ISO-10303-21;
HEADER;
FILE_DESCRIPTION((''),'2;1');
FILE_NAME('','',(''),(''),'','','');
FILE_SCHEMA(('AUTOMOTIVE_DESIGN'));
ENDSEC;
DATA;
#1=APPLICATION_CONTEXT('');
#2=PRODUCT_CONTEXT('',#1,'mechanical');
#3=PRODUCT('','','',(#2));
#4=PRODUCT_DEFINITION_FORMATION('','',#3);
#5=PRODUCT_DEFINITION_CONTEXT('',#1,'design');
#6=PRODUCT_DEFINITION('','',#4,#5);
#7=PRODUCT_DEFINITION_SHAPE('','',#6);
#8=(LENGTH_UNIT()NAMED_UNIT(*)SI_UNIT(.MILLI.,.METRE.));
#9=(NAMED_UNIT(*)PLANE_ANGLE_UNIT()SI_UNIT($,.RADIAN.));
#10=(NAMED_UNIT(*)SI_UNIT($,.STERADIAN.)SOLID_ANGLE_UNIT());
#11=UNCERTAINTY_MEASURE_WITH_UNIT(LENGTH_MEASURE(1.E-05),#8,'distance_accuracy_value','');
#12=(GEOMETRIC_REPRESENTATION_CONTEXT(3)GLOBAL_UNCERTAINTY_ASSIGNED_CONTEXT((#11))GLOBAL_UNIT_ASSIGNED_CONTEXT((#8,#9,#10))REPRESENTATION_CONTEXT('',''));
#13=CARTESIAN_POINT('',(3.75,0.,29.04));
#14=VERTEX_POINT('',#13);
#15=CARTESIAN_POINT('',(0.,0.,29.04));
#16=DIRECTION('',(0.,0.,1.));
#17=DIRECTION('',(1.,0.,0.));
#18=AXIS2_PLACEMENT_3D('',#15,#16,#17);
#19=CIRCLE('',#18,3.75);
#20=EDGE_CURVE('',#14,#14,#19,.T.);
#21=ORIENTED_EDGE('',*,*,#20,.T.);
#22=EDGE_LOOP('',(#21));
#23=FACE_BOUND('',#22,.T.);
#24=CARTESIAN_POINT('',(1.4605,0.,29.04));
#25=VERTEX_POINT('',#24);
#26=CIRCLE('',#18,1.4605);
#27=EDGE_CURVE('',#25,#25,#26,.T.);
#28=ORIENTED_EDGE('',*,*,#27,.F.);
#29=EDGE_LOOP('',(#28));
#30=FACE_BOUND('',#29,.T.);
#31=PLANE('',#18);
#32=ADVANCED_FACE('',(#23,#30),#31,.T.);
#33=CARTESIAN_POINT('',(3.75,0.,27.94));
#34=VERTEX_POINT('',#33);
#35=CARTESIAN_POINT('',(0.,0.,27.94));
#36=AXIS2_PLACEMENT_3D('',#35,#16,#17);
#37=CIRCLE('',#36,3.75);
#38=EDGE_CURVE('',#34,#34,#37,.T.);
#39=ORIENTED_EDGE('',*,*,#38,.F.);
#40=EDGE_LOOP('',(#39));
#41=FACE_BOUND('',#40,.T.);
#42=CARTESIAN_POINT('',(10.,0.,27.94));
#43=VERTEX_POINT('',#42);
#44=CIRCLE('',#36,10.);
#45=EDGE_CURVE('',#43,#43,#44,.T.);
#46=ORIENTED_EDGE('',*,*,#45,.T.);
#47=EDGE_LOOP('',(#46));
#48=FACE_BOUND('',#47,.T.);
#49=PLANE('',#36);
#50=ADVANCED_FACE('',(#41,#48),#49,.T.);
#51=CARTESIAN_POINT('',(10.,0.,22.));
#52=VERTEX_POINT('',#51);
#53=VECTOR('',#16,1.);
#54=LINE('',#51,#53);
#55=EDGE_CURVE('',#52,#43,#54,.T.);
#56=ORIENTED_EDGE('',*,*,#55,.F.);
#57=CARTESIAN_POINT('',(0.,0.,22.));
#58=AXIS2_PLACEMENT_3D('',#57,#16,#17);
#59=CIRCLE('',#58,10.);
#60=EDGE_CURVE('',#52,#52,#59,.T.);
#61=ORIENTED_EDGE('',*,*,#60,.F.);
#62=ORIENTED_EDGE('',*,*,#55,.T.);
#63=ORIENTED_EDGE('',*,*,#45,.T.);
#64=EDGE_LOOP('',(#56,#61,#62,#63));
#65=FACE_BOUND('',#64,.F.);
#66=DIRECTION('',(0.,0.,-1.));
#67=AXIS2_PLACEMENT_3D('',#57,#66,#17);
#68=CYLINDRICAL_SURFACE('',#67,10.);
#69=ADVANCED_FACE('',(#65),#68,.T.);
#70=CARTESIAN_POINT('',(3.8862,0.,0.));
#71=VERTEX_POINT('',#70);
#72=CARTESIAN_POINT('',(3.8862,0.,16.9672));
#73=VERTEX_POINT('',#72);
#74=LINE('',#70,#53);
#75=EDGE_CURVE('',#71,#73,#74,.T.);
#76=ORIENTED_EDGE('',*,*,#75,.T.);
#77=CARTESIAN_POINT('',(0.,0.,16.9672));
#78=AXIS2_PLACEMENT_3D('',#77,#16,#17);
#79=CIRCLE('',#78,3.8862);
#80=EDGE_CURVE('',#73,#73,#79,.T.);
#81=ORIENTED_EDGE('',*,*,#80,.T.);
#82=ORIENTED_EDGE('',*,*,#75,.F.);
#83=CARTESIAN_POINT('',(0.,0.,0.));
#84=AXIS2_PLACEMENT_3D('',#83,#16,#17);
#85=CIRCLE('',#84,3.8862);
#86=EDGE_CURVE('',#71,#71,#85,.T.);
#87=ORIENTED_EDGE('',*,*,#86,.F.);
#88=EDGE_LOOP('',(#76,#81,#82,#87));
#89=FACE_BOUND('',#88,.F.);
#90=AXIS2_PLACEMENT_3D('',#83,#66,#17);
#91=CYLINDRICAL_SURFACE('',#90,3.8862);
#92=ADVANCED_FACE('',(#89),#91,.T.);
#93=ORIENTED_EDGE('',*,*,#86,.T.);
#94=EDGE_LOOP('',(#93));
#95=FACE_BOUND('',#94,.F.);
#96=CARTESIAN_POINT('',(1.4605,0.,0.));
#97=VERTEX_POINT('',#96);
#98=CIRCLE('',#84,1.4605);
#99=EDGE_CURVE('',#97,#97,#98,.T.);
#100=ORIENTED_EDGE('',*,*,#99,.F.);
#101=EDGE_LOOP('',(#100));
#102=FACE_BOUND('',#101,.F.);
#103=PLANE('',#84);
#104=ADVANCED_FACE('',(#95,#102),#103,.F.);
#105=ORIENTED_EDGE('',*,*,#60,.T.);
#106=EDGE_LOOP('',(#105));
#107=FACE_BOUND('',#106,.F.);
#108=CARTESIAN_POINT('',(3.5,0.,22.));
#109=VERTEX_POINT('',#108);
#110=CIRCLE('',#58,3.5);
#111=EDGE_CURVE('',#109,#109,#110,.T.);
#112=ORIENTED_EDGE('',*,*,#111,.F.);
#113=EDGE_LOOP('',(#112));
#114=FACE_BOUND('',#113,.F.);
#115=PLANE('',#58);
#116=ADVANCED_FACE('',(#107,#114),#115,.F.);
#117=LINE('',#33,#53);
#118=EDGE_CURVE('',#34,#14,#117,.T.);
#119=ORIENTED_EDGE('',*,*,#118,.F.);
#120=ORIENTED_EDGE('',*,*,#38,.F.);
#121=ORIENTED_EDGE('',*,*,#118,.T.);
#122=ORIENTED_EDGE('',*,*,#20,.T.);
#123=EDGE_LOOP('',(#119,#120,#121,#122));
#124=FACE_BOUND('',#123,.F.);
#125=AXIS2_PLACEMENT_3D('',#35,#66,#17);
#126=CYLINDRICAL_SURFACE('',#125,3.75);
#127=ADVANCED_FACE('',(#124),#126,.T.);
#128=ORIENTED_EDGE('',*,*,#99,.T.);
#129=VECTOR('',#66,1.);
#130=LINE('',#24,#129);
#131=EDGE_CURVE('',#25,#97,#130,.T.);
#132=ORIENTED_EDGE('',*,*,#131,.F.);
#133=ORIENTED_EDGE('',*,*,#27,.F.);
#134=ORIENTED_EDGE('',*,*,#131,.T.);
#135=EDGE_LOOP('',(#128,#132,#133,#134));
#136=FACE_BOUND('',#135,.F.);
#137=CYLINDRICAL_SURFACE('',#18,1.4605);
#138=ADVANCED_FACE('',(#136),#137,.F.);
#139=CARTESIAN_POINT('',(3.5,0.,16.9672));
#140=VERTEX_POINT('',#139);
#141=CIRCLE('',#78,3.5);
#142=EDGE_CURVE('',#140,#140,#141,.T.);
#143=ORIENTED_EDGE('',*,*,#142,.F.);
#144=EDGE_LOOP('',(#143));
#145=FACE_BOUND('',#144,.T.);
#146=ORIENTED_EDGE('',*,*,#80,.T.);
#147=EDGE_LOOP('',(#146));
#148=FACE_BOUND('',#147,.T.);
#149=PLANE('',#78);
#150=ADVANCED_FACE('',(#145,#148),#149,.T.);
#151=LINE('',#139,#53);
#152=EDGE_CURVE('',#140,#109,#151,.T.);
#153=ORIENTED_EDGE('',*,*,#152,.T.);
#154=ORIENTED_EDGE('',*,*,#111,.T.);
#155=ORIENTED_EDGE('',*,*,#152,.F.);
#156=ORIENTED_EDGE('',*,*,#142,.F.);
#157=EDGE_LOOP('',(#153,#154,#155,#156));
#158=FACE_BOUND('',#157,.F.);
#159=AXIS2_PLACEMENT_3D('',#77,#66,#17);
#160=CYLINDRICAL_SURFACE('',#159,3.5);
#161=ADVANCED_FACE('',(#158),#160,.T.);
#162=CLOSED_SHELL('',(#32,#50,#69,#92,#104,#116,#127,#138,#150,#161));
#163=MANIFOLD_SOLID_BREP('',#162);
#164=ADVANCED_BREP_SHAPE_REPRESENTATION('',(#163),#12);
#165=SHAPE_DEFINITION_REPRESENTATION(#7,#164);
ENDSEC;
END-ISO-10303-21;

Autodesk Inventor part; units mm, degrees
ref_plane "YZ Plane" through (0, 0, 0) normal (1, 0, 0) x (0, 1, 0)
ref_plane "XZ Plane" through (0, 0, 0) normal (0, 1, 0) x (-1, 0, 0)
ref_plane "XY Plane" through (0, 0, 0) normal (0, 0, 1) x (1, 0, 0)
sketch "Sketch1" plane through (0, 0, 0) normal (0, 0, 1) x (1, 0, 0)
  circle A0 centre (0, 0) radius 3.8862
  dimension "d0" = 7.7724
extrude "Extrusion1" add sketch "Sketch1" along normal blind 16.9672
sketch "Sketch2" plane through (0, 0, 16.9672) normal (0, 0, 1) x (1, 0, 0)
  circle A0 centre (0, 0) radius 3.8862 projected
  circle A1 centre (0, 0) radius 3.5
  dimension "d4" = 7
extrude "Extrusion2" add sketch "Sketch2" along normal blind 5.0328 contours A1
sketch "Sketch3" plane through (0, 0, 22) normal (0, 0, 1) x (1, 0, 0)
  circle A0 centre (0, 0) radius 3.5 projected
  circle A1 centre (0, 0) radius 10
  dimension "d8" = 20
extrude "Extrusion3" add sketch "Sketch3" along normal blind 5.94 contours A0 | A1
sketch "Sketch4" plane through (0, 0, 27.94) normal (0, 0, 1) x (1, 0, 0)
  circle A0 centre (0, 0) radius 10 projected
  circle A1 centre (0, 0) radius 3.75
  dimension "d13" = 7.5
extrude "Extrusion4" add sketch "Sketch4" along normal blind 1.1 contours A1
sketch "Sketch5" plane through (0, 0, 29.04) normal (0, 0, 1) x (1, 0, 0)
  circle A0 centre (0, 0) radius 3.75 projected
  circle A1 centre (0, 0) radius 1.4605
  dimension "d18" = 2.921
extrude "Extrusion5" cut sketch "Sketch5" against normal up to next contours A1
properties part number "stator"
